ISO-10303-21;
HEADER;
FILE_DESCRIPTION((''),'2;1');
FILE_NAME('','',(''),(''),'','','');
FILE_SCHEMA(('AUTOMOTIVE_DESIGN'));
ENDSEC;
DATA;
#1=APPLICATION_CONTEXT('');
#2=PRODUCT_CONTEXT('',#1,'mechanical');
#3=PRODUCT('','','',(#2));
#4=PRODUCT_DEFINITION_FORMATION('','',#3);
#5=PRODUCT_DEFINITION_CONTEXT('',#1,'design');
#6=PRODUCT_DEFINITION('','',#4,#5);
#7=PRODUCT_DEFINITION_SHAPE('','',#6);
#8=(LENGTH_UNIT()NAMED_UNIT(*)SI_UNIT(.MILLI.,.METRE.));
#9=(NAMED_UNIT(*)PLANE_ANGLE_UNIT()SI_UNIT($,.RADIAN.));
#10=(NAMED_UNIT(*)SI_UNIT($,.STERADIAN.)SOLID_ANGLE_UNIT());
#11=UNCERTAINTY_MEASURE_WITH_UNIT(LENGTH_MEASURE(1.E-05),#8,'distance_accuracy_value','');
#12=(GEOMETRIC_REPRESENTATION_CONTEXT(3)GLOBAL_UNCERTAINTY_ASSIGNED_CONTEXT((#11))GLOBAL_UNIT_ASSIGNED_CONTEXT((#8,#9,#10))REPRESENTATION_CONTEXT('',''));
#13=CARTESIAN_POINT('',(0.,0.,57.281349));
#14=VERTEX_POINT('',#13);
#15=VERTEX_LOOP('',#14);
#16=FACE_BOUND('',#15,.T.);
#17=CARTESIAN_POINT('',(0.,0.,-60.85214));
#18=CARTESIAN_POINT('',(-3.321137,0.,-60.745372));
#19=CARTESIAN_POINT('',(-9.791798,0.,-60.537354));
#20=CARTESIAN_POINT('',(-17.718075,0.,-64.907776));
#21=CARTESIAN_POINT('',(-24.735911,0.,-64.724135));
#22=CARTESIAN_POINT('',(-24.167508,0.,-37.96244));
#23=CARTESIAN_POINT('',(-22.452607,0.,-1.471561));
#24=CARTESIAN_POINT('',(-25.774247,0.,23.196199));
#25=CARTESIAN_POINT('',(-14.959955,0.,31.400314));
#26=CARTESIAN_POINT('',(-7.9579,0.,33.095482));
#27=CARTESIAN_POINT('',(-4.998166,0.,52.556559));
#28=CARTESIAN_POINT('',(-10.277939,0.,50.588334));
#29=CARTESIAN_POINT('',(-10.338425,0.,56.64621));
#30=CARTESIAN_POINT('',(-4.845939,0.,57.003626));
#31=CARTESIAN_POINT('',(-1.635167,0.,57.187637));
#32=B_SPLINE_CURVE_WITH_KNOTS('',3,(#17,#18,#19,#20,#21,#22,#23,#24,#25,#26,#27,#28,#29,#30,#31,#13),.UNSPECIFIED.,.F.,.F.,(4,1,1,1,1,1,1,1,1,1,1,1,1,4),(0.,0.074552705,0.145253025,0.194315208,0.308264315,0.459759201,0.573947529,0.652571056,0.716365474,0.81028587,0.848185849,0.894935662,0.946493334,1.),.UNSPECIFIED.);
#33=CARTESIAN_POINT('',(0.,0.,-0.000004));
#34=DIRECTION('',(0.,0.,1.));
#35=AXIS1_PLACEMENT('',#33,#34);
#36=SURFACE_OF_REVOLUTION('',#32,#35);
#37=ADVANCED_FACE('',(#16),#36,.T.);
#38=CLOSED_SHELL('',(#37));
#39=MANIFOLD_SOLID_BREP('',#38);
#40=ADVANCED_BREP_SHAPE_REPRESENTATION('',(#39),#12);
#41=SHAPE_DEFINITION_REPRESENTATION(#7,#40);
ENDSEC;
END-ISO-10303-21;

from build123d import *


with BuildPart() as f2:
    # F0 (on Front) → F2 (revolve)
    with BuildSketch(Plane.XZ):
        with BuildLine():
            add(Edge.make_bspline(
                [(0, -60.8521401882), (-3.3211372199, -60.74537248), (-9.7917975253, -60.537354104), (-17.7180751108, -64.9077763092), (-24.7359107024, -64.7241346817), (-24.1675084241, -37.9624398138), (-22.4526066754, -1.4715608293), (-25.7742465031, 23.1961991162), (-14.9599554929, 31.4003141279), (-7.9579000952, 33.0954816794), (-4.9981658503, 52.5565587511), (-10.2779388602, 50.58833425), (-10.3384246923, 56.6462102104), (-4.8459387369, 57.003625703), (-1.6351667069, 57.1876366397), (0, 57.2813488543)],
                knots=[0, 0, 0, 0, 0.0745527048, 0.145253025, 0.1943152083, 0.3082643147, 0.4597592015, 0.5739475294, 0.6525710561, 0.716365474, 0.8102858699, 0.848185849, 0.8949356622, 0.9464933338, 1, 1, 1, 1], degree=3))
            Line((0, -60.8521401882), (0, 57.2813488543))
        make_face()
    revolve(axis=Axis((0, 0, -3.7253e-06), (0, 0, 1)))


solid = f2.part
